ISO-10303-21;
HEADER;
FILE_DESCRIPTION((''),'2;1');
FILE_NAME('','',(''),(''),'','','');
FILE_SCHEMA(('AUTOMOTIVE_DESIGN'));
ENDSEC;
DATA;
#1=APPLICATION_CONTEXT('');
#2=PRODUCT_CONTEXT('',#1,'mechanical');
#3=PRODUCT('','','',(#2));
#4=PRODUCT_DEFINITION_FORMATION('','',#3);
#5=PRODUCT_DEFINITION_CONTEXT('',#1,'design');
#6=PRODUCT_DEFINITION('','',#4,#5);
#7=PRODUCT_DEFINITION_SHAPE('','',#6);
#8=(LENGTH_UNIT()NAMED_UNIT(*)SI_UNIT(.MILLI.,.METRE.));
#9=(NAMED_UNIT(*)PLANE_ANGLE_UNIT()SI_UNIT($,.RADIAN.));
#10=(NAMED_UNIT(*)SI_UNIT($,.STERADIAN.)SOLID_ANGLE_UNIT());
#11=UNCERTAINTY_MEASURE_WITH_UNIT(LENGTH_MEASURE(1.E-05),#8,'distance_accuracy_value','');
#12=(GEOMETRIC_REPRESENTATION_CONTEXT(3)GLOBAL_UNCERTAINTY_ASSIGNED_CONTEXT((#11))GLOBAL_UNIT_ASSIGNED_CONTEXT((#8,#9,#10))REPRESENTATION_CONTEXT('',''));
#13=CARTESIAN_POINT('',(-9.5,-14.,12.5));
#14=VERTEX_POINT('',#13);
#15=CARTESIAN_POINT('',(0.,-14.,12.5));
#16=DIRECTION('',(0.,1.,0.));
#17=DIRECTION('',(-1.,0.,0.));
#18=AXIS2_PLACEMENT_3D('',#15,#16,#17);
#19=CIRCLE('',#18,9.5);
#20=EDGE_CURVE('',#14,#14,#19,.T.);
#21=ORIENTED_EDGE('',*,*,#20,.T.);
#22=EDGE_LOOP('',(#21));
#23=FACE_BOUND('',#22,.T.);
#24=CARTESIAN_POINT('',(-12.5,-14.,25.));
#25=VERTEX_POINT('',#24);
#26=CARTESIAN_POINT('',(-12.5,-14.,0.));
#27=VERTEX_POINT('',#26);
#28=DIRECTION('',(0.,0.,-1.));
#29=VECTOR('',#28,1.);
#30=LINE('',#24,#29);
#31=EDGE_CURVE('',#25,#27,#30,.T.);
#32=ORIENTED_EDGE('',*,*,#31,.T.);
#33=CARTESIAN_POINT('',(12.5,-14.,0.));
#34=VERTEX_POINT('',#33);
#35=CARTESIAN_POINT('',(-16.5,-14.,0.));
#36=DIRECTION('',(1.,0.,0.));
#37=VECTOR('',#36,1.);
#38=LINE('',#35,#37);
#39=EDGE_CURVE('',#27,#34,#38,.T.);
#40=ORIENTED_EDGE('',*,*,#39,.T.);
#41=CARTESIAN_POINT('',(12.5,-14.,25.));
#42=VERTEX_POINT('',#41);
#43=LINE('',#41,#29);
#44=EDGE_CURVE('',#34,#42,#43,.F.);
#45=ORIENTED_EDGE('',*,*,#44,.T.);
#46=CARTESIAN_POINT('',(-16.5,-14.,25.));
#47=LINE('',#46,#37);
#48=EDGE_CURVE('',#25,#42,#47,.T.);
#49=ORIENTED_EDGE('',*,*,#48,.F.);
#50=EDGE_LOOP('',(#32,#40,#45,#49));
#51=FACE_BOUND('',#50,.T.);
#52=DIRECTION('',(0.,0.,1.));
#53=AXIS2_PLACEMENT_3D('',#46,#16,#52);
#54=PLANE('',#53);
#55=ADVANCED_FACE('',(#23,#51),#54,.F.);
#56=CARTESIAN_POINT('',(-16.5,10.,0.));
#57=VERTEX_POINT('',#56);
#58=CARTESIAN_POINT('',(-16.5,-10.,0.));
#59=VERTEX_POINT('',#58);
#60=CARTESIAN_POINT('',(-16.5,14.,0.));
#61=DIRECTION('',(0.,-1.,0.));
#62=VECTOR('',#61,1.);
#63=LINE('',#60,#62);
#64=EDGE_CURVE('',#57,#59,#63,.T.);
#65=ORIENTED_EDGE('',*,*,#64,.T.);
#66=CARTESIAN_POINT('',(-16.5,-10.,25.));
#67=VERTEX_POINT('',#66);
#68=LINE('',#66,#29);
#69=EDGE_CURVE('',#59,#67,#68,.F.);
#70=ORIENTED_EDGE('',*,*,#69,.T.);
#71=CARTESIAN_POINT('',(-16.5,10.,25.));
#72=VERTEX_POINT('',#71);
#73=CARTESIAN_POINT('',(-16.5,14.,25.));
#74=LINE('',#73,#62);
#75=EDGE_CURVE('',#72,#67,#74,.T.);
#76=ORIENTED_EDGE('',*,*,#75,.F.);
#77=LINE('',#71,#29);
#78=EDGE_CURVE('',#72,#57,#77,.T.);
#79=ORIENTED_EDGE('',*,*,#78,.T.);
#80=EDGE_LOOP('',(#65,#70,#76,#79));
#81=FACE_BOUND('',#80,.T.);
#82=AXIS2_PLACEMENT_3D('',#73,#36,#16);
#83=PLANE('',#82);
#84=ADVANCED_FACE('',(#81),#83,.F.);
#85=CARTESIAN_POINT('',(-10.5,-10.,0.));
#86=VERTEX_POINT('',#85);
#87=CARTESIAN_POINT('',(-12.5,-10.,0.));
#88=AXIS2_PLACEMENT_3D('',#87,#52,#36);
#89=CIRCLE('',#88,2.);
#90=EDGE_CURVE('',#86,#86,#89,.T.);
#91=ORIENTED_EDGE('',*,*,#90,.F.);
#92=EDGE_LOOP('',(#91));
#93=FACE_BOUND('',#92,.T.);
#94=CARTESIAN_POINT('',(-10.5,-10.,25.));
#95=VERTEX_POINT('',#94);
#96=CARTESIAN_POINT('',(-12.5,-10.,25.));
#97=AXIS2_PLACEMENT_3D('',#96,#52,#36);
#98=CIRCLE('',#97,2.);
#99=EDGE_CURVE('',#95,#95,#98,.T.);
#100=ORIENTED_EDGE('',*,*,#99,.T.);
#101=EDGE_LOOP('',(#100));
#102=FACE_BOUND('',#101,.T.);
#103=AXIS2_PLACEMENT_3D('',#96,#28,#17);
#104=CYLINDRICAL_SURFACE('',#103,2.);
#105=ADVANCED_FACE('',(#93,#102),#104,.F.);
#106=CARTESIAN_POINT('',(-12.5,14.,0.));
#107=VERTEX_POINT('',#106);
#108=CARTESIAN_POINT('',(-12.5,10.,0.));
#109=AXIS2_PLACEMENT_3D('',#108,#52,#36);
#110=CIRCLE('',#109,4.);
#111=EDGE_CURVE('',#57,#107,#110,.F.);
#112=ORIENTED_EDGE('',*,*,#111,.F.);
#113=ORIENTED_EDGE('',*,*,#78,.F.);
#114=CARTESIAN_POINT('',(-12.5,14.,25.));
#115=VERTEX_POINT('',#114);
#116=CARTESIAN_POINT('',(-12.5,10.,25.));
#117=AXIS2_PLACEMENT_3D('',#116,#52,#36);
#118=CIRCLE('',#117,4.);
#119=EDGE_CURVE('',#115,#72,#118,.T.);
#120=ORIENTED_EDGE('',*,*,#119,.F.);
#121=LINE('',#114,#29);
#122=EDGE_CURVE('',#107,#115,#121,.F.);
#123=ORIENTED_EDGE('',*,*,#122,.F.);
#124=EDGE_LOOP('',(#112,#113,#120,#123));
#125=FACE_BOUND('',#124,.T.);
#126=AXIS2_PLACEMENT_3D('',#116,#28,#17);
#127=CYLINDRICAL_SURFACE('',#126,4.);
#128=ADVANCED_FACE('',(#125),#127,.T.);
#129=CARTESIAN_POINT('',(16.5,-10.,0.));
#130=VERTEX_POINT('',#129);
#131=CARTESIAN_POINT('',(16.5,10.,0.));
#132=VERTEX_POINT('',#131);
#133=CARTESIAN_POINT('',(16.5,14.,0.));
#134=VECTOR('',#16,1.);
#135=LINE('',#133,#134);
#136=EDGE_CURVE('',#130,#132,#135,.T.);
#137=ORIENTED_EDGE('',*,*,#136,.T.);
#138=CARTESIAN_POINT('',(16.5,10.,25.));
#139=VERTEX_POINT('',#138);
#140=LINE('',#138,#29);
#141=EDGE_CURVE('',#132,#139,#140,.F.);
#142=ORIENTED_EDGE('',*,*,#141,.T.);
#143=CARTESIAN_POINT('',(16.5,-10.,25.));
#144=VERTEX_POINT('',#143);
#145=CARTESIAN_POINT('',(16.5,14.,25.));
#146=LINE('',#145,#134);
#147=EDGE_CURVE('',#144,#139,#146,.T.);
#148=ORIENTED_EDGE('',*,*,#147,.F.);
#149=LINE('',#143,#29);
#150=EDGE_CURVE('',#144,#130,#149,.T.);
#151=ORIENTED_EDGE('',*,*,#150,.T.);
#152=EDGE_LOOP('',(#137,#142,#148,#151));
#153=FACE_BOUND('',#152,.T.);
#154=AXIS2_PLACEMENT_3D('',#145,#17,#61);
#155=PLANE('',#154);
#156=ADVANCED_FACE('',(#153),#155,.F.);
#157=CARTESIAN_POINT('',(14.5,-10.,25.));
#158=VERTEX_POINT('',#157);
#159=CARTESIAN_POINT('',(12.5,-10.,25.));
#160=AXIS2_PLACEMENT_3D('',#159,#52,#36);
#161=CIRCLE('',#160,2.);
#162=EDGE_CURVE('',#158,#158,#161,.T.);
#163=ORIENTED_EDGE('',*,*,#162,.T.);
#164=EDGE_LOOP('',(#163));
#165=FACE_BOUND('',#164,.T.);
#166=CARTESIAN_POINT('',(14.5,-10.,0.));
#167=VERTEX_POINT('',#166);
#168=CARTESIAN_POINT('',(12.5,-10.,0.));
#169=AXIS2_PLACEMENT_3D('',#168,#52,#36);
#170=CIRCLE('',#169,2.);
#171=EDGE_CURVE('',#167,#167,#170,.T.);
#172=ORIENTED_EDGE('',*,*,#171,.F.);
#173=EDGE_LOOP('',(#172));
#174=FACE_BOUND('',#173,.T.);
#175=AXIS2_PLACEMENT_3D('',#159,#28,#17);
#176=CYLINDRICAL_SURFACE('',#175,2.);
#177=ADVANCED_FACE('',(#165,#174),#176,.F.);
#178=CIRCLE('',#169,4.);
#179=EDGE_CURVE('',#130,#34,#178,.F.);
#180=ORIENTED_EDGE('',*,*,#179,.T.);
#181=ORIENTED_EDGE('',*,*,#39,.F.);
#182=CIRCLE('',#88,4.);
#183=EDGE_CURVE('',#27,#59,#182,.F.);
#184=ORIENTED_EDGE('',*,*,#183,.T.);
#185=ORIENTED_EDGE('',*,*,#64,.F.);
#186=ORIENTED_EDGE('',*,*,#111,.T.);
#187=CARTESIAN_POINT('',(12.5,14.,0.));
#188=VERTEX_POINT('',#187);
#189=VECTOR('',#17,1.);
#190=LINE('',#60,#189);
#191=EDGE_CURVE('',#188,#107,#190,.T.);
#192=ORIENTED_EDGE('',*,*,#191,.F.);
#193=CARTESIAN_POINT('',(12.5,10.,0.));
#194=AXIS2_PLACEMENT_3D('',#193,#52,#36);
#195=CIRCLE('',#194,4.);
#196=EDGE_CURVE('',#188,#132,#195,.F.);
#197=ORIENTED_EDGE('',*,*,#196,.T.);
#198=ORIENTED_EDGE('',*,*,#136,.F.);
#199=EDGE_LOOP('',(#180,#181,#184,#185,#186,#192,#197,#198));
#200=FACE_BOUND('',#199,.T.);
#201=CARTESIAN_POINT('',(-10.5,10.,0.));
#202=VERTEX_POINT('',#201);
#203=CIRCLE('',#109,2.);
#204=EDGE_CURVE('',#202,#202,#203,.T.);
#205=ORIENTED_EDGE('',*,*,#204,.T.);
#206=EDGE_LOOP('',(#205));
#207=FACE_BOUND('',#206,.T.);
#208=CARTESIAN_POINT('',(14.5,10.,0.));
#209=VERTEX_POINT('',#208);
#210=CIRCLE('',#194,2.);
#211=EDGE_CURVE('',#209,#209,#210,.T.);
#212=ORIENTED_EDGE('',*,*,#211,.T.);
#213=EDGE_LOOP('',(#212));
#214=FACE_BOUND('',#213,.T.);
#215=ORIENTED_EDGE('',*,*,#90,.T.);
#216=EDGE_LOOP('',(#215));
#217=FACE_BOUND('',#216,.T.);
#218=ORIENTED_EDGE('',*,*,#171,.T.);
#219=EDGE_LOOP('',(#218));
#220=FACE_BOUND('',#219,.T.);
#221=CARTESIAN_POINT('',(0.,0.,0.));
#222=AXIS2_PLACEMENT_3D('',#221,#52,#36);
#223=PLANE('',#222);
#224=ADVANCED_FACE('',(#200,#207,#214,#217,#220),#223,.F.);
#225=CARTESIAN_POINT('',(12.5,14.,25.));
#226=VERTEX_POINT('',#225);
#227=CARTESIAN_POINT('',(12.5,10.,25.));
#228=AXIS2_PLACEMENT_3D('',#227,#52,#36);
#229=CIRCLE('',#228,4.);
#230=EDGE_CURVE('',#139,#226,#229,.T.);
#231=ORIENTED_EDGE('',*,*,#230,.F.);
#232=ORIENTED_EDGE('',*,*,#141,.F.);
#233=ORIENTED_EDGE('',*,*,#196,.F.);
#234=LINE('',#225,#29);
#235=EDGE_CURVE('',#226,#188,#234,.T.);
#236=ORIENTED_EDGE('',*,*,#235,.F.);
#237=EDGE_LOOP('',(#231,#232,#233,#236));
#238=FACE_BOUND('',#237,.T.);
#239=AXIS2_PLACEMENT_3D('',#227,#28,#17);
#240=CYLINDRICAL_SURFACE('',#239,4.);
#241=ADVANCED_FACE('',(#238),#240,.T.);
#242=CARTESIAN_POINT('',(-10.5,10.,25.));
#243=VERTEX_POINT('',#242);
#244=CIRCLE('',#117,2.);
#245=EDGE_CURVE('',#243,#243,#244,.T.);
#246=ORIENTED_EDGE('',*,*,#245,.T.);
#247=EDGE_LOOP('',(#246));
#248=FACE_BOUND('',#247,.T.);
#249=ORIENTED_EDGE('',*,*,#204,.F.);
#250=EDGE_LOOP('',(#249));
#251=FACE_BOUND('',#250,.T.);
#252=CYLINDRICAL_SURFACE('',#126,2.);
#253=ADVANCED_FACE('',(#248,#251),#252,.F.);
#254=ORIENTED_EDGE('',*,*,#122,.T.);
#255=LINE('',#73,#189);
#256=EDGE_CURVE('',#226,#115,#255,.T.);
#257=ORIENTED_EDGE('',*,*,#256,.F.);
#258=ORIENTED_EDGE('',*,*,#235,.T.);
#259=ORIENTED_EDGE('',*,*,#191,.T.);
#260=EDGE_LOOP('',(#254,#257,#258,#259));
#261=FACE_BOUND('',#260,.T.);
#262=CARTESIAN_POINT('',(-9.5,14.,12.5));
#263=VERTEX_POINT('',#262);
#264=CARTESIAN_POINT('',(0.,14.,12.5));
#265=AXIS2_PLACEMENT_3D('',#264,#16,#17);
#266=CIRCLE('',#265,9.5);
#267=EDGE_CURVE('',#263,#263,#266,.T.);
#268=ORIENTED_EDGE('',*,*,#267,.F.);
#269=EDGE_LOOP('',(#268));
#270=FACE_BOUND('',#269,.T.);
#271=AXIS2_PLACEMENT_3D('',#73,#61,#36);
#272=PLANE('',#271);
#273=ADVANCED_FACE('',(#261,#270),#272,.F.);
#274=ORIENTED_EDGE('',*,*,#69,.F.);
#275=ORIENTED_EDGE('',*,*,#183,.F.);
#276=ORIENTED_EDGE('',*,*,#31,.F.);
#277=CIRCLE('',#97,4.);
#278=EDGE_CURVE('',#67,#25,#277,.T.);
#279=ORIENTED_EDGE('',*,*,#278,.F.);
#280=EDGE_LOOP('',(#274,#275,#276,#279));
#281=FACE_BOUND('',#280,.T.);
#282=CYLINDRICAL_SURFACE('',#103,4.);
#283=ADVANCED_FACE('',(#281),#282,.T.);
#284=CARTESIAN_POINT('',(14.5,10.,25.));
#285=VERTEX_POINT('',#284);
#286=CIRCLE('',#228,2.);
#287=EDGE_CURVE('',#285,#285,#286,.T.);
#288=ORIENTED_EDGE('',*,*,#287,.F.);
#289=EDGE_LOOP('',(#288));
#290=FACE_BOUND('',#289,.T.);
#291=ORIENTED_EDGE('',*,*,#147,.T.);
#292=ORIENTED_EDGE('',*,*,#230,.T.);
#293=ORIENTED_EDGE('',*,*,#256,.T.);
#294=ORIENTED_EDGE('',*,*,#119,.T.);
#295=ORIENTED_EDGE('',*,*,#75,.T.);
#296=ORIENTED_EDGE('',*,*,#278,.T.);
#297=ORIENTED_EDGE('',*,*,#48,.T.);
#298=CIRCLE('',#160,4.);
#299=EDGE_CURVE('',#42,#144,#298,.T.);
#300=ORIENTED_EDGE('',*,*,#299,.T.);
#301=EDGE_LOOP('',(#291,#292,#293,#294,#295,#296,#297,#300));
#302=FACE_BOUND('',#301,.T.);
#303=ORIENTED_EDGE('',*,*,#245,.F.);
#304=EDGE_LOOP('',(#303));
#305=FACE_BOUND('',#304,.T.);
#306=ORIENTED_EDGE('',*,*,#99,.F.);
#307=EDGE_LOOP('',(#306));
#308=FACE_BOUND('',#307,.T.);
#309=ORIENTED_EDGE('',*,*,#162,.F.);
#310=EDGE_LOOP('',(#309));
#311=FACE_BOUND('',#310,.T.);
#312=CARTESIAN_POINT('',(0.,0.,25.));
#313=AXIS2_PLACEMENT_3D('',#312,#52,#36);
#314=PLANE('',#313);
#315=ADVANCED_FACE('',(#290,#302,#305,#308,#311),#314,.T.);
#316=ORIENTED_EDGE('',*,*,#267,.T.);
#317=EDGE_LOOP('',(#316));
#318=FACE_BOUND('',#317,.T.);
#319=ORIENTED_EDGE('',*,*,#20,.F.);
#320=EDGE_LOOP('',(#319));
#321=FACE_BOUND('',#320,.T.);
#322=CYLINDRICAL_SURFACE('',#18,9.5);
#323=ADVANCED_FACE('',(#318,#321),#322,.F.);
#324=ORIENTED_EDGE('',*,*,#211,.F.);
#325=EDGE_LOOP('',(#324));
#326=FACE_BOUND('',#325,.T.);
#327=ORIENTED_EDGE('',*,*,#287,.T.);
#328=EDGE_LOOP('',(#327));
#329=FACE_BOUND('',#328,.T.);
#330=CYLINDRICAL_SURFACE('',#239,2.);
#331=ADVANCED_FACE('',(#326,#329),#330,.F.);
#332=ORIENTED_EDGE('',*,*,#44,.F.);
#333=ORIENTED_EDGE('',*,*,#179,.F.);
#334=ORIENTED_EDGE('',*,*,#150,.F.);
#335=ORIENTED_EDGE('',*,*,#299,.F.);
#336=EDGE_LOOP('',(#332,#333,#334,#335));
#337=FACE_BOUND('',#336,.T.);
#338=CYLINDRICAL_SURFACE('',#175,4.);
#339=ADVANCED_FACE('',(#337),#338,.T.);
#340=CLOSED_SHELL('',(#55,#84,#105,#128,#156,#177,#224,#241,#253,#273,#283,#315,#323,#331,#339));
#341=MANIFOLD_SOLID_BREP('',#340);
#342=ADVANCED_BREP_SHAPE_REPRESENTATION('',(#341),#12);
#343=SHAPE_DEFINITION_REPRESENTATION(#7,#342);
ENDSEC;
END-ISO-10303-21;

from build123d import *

# Parameters (mm, degrees)
SKETCH_1_W          = 33
SKETCH_1_H          = 28
SKETCH_1_R          = 2
EXTRUDE_1_DEPTH     = 25
FILLET_1_R          = 4
SKETCH_2_R          = 9.5
CUT_EXTRUDE_1_DEPTH = 42.003048667


with BuildPart() as part:
    # 草图1 → 凸台-拉伸1 (new body)
    with BuildSketch(Plane.XY):
        Rectangle(SKETCH_1_W, SKETCH_1_H)
        with Locations((12.5, -10)):
            Circle(SKETCH_1_R, mode=Mode.SUBTRACT)
        with Locations((-12.5, -10)):
            Circle(SKETCH_1_R, mode=Mode.SUBTRACT)
        with Locations((-12.5, 10)):
            Circle(SKETCH_1_R, mode=Mode.SUBTRACT)
        with Locations((12.5, 10)):
            Circle(SKETCH_1_R, mode=Mode.SUBTRACT)
    extrude(amount=EXTRUDE_1_DEPTH)

    # 圆角1
    fillet_1_edges = [part.edges().sort_by_distance(p)[0] for p in [
        (16.5, -14, 12.5),
        (-16.5, -14, 12.5),
        (-16.5, 14, 12.5),
        (16.5, 14, 12.5),
    ]]
    fillet(fillet_1_edges, radius=FILLET_1_R)

    # 草图2 → 切除-拉伸1 (cut, through all)
    with BuildSketch(Plane(origin=(0, 14, 0), x_dir=(1, 0, 0), z_dir=(0, 1, 0))):
        with Locations(Location((0, -12.5, 0), (0, 0, 180))):
            Circle(SKETCH_2_R)
    extrude(amount=-CUT_EXTRUDE_1_DEPTH, mode=Mode.SUBTRACT)


solid = part.part
